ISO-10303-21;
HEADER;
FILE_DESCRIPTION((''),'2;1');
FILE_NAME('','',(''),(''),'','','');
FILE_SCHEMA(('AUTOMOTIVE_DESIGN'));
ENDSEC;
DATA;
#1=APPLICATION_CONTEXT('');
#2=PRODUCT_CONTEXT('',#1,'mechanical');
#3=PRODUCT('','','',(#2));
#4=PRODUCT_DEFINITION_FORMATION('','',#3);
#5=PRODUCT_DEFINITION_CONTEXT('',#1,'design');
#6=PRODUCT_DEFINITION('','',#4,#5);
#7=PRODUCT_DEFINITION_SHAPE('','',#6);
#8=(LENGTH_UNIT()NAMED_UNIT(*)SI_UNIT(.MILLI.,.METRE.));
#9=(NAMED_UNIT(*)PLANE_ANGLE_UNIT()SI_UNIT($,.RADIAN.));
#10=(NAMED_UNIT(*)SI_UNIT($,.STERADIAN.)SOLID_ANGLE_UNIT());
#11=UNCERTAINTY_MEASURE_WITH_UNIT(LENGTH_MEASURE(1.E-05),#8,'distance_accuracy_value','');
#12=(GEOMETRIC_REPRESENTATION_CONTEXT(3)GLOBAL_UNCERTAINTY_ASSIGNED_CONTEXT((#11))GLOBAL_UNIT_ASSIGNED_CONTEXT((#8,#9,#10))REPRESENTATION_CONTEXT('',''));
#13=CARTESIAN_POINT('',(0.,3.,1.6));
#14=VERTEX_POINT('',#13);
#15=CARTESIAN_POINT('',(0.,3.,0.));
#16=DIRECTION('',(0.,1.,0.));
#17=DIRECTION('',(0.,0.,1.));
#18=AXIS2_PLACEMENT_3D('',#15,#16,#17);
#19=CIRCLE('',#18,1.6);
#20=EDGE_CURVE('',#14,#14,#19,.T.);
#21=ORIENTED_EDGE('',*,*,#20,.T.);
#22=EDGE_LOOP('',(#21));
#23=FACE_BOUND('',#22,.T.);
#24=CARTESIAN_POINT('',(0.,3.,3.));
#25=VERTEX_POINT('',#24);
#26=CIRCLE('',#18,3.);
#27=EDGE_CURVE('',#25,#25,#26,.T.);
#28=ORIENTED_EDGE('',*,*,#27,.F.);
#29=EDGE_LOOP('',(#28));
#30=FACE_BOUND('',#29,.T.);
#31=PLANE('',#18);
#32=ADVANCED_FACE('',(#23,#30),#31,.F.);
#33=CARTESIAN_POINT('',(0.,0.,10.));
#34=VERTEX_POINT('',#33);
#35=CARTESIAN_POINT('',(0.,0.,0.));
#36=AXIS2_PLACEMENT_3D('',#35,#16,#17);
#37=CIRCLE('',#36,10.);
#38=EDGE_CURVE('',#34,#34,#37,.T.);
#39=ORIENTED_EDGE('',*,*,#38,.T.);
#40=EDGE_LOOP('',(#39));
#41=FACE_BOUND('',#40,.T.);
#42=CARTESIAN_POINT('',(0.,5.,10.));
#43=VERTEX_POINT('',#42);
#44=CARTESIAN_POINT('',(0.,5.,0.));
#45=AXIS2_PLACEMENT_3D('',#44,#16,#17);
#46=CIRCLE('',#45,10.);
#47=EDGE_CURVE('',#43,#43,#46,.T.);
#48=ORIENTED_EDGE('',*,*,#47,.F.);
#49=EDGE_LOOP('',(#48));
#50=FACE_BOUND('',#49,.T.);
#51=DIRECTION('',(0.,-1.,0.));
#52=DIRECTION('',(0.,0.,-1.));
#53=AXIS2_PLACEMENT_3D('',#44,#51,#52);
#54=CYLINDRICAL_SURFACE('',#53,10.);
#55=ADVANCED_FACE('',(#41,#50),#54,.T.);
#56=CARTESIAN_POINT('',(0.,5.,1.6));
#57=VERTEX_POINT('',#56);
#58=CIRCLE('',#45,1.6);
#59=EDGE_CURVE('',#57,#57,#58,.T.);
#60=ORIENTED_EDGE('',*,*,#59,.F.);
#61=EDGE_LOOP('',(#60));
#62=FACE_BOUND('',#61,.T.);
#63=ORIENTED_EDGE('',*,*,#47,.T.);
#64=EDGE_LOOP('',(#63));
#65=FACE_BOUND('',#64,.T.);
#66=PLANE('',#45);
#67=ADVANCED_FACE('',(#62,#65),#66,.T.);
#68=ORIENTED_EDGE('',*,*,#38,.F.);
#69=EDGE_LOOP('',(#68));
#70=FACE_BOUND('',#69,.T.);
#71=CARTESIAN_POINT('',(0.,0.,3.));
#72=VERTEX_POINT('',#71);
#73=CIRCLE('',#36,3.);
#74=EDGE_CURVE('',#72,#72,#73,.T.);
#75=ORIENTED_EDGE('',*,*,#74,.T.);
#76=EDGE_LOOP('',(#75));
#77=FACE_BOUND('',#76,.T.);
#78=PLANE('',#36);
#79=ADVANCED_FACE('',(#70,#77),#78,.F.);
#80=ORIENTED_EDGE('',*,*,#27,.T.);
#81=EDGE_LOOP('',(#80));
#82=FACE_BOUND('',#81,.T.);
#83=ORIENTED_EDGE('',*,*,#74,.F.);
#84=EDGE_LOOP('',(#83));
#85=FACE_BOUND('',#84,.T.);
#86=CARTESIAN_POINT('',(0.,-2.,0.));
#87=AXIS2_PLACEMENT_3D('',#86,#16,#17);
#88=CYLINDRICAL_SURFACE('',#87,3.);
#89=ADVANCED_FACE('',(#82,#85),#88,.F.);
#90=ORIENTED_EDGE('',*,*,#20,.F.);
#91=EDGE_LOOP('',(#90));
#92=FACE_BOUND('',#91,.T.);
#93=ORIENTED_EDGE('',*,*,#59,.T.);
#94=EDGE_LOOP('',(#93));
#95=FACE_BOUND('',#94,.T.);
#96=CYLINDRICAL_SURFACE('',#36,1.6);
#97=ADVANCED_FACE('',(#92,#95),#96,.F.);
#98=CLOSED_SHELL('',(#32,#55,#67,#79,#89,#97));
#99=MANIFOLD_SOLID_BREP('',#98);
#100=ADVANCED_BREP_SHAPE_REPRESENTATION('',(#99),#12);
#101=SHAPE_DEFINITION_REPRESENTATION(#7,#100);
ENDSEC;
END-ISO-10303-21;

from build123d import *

# Parameters (mm, degrees)
SKETCH1_R           = 10
BOSS_EXTRUDE1_DEPTH = 5
CUT_EXTRUDE1_START  = -2
SKETCH2_R           = 3
CUT_EXTRUDE1_DEPTH  = 5
SKETCH3_R           = 1.6
CUT_EXTRUDE2_DEPTH  = 16


with BuildPart() as part:
    # Sketch1 → Boss-Extrude1 (new body)
    with BuildSketch(Plane(origin=(0, 0, 0), x_dir=(1, 0, 0), z_dir=(0, 1, 0))):
        with Locations(Location((0, 0, 0), (0, 0, 270))):
            Circle(SKETCH1_R)
    extrude(amount=BOSS_EXTRUDE1_DEPTH)

    # Sketch2 → Cut-Extrude1 (cut)
    with BuildSketch(Plane(origin=(0, 5, 0), x_dir=(1, 0, 0), z_dir=(0, 1, 0)).offset(CUT_EXTRUDE1_START)):
        with Locations(Location((0, 0, 0), (0, 0, 270))):
            Circle(SKETCH2_R)
    extrude(amount=-CUT_EXTRUDE1_DEPTH, mode=Mode.SUBTRACT)

    # Sketch3 → Cut-Extrude2 (cut, through all)
    with BuildSketch(Plane(origin=(0, 5, 0), x_dir=(1, 0, 0), z_dir=(0, 1, 0))):
        with Locations(Location((0, 0, 0), (0, 0, 270))):
            Circle(SKETCH3_R)
    extrude(amount=-CUT_EXTRUDE2_DEPTH, mode=Mode.SUBTRACT)


solid = part.part
